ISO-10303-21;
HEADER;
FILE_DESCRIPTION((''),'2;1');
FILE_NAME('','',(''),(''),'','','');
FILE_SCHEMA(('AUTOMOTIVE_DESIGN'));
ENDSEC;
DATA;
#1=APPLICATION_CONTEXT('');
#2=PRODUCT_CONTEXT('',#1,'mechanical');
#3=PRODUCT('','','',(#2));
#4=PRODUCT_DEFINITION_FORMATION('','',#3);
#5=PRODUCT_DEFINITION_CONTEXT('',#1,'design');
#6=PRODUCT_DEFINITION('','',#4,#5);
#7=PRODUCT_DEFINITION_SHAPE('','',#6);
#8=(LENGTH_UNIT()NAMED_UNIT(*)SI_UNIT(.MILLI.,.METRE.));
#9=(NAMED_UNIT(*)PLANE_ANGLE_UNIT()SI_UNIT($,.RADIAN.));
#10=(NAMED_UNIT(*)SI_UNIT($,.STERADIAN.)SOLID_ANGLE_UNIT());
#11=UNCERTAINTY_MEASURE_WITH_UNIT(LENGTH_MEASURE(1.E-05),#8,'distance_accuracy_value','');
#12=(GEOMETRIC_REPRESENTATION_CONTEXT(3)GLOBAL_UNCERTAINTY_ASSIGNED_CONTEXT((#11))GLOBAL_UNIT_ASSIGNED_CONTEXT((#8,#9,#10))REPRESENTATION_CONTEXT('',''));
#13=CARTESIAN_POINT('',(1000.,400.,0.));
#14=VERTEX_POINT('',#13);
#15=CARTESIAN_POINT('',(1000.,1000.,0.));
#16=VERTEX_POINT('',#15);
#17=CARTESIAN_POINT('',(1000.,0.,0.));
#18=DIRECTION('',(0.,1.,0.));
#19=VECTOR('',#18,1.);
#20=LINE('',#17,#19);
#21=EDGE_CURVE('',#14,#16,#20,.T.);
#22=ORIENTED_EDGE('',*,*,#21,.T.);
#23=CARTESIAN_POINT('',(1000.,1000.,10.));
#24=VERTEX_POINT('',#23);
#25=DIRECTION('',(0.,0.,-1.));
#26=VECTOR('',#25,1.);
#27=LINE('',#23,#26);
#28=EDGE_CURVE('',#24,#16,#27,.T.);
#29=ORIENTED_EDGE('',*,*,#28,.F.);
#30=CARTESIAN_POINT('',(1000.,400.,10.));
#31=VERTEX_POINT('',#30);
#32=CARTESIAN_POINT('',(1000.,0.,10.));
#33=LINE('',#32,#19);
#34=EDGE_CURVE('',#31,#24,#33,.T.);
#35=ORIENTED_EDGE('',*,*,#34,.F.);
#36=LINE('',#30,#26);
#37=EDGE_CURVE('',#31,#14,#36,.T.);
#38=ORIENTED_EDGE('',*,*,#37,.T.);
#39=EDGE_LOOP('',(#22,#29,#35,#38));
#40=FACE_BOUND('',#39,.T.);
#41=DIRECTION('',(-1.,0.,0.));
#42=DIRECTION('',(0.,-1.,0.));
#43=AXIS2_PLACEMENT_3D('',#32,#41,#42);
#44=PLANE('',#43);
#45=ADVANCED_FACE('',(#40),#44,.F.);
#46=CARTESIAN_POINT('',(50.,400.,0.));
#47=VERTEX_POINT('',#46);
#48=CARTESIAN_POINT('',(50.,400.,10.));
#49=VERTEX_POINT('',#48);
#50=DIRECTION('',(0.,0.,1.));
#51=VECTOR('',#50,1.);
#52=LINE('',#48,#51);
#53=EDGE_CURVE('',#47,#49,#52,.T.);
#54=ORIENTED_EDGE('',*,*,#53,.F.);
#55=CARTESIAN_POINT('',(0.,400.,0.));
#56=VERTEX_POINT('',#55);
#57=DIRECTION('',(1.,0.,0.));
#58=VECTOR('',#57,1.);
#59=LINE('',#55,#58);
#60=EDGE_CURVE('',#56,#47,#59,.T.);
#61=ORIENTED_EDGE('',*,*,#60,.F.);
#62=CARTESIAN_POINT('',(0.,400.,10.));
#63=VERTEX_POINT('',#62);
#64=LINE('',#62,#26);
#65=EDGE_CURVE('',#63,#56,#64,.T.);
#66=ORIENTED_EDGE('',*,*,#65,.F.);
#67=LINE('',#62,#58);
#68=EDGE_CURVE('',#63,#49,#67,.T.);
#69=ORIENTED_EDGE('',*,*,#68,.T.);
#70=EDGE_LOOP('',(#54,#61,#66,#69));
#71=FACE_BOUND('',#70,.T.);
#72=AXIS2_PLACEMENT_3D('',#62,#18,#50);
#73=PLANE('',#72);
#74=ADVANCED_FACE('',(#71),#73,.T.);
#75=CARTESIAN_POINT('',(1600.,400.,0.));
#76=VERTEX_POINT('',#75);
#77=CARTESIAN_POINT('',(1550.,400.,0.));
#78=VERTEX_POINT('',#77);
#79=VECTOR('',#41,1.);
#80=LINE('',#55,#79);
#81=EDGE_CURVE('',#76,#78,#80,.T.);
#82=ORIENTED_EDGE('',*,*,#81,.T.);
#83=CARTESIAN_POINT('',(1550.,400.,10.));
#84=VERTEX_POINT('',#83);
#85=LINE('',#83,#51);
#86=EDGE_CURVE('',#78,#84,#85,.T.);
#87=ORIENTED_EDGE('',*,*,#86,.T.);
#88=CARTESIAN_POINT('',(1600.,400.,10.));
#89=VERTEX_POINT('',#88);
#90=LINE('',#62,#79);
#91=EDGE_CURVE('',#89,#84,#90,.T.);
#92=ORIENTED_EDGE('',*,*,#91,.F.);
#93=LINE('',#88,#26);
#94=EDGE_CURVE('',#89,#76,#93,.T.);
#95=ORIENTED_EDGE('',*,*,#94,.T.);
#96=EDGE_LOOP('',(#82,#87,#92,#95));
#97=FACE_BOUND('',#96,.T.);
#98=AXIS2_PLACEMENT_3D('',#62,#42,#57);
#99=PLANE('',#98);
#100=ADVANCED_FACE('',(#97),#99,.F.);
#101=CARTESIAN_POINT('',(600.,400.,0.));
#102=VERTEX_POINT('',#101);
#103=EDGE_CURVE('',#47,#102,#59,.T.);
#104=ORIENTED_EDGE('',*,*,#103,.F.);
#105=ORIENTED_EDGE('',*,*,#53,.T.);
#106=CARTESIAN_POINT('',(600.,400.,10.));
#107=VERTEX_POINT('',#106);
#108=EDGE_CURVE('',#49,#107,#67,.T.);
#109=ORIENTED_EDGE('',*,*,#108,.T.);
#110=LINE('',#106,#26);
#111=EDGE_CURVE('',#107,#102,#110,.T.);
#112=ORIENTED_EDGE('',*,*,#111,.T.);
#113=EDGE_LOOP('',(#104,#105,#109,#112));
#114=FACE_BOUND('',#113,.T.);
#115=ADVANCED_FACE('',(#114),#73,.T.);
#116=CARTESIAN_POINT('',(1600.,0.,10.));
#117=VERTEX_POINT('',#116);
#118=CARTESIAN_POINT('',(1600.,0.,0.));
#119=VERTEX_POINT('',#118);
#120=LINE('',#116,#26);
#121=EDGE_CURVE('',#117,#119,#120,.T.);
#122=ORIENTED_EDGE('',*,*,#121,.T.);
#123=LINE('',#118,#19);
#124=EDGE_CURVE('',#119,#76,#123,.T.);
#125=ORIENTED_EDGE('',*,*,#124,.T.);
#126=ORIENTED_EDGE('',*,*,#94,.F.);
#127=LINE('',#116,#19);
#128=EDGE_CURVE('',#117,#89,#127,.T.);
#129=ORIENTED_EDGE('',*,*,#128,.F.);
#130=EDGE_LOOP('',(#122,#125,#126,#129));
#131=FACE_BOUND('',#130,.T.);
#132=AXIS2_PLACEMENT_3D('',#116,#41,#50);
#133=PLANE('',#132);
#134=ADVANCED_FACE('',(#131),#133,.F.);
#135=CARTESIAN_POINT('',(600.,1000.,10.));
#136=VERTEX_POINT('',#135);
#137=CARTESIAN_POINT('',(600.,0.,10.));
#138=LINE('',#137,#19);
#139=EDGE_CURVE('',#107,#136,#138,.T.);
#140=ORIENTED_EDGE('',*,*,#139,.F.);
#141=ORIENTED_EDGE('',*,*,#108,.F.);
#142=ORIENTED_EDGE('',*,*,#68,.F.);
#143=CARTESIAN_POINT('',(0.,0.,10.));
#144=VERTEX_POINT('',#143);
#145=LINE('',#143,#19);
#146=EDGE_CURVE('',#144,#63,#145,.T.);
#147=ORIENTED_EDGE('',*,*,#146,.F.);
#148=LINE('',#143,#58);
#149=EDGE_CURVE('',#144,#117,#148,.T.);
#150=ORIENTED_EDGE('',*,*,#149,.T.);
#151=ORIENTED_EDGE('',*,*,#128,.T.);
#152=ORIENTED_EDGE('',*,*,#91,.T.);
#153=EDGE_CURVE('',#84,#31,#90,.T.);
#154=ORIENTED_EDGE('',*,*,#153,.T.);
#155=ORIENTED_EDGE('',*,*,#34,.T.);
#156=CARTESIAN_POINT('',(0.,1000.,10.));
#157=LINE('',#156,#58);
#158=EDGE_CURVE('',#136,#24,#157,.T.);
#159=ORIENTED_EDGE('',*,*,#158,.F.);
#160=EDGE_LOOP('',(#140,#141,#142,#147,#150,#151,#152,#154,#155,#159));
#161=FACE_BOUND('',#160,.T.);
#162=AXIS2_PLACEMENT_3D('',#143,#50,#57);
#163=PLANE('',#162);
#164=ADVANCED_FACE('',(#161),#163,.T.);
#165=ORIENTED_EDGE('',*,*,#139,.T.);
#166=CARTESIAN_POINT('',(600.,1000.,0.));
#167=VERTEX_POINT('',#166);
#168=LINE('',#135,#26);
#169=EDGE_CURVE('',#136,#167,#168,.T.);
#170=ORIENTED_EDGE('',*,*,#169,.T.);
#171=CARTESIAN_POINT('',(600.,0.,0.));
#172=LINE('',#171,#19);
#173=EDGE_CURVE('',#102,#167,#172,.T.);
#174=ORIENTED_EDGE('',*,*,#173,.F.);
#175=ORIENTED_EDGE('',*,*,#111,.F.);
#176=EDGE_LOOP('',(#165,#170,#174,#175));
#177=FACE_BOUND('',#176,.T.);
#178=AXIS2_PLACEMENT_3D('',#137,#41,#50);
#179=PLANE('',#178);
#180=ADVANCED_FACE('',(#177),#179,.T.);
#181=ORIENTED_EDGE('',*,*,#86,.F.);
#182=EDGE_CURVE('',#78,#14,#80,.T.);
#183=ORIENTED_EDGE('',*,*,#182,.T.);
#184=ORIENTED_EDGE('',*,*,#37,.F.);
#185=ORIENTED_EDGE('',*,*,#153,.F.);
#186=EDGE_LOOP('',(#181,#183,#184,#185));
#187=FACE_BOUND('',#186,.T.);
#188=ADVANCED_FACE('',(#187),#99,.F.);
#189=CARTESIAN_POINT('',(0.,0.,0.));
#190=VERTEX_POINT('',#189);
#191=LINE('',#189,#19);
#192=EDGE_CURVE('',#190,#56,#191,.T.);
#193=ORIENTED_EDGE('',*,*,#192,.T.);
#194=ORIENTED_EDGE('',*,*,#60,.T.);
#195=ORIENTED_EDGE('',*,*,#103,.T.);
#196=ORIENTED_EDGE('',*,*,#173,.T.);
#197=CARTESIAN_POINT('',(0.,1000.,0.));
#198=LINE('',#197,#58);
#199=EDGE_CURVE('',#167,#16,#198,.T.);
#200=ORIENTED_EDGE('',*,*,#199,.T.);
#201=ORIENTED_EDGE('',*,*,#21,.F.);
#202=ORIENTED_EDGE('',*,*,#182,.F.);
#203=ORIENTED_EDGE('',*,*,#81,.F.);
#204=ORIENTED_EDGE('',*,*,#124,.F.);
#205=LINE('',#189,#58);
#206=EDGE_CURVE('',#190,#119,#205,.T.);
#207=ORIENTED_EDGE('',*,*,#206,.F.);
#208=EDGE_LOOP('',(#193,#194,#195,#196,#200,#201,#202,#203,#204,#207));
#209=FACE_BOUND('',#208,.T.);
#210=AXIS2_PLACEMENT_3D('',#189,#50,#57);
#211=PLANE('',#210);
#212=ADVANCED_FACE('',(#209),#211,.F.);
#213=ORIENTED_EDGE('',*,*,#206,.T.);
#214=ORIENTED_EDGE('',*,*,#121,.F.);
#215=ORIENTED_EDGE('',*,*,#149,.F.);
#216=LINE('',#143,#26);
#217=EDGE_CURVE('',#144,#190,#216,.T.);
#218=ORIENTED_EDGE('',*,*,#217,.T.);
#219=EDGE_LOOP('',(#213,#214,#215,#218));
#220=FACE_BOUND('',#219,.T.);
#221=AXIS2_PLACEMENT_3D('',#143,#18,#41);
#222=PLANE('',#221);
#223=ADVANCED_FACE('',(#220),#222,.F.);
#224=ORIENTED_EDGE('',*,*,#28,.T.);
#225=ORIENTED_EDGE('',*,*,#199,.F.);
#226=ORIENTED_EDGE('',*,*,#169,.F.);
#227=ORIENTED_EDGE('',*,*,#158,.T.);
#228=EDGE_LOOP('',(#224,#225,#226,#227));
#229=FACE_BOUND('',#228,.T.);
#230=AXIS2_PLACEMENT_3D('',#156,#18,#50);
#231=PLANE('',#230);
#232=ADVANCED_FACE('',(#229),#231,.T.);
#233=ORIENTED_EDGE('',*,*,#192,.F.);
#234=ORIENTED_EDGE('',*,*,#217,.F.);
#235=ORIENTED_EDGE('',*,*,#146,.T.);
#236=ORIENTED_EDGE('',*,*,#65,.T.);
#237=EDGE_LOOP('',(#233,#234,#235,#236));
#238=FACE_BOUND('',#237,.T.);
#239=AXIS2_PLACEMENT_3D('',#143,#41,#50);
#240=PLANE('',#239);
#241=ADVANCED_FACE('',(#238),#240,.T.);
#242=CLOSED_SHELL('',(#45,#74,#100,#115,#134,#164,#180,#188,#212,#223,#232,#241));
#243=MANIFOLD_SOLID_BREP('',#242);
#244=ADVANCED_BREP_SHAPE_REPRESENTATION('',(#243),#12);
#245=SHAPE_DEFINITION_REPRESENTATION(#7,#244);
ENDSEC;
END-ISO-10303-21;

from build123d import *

# Parameters (mm, degrees)
BOSS_EXTRUDE1_DEPTH = 10


with BuildPart() as part:
    # Sketch1 → Boss-Extrude1 (new body)
    with BuildSketch(Plane.XY):
        Polygon((800, 0), (800, 1000), (600, 1000), (600, 400), (0, 400), (0, 0), align=None)
        Polygon((1000, 1000), (800, 1000), (800, 0), (1600, 0), (1600, 400), (1000, 400), align=None)
    extrude(amount=BOSS_EXTRUDE1_DEPTH)


solid = part.part
